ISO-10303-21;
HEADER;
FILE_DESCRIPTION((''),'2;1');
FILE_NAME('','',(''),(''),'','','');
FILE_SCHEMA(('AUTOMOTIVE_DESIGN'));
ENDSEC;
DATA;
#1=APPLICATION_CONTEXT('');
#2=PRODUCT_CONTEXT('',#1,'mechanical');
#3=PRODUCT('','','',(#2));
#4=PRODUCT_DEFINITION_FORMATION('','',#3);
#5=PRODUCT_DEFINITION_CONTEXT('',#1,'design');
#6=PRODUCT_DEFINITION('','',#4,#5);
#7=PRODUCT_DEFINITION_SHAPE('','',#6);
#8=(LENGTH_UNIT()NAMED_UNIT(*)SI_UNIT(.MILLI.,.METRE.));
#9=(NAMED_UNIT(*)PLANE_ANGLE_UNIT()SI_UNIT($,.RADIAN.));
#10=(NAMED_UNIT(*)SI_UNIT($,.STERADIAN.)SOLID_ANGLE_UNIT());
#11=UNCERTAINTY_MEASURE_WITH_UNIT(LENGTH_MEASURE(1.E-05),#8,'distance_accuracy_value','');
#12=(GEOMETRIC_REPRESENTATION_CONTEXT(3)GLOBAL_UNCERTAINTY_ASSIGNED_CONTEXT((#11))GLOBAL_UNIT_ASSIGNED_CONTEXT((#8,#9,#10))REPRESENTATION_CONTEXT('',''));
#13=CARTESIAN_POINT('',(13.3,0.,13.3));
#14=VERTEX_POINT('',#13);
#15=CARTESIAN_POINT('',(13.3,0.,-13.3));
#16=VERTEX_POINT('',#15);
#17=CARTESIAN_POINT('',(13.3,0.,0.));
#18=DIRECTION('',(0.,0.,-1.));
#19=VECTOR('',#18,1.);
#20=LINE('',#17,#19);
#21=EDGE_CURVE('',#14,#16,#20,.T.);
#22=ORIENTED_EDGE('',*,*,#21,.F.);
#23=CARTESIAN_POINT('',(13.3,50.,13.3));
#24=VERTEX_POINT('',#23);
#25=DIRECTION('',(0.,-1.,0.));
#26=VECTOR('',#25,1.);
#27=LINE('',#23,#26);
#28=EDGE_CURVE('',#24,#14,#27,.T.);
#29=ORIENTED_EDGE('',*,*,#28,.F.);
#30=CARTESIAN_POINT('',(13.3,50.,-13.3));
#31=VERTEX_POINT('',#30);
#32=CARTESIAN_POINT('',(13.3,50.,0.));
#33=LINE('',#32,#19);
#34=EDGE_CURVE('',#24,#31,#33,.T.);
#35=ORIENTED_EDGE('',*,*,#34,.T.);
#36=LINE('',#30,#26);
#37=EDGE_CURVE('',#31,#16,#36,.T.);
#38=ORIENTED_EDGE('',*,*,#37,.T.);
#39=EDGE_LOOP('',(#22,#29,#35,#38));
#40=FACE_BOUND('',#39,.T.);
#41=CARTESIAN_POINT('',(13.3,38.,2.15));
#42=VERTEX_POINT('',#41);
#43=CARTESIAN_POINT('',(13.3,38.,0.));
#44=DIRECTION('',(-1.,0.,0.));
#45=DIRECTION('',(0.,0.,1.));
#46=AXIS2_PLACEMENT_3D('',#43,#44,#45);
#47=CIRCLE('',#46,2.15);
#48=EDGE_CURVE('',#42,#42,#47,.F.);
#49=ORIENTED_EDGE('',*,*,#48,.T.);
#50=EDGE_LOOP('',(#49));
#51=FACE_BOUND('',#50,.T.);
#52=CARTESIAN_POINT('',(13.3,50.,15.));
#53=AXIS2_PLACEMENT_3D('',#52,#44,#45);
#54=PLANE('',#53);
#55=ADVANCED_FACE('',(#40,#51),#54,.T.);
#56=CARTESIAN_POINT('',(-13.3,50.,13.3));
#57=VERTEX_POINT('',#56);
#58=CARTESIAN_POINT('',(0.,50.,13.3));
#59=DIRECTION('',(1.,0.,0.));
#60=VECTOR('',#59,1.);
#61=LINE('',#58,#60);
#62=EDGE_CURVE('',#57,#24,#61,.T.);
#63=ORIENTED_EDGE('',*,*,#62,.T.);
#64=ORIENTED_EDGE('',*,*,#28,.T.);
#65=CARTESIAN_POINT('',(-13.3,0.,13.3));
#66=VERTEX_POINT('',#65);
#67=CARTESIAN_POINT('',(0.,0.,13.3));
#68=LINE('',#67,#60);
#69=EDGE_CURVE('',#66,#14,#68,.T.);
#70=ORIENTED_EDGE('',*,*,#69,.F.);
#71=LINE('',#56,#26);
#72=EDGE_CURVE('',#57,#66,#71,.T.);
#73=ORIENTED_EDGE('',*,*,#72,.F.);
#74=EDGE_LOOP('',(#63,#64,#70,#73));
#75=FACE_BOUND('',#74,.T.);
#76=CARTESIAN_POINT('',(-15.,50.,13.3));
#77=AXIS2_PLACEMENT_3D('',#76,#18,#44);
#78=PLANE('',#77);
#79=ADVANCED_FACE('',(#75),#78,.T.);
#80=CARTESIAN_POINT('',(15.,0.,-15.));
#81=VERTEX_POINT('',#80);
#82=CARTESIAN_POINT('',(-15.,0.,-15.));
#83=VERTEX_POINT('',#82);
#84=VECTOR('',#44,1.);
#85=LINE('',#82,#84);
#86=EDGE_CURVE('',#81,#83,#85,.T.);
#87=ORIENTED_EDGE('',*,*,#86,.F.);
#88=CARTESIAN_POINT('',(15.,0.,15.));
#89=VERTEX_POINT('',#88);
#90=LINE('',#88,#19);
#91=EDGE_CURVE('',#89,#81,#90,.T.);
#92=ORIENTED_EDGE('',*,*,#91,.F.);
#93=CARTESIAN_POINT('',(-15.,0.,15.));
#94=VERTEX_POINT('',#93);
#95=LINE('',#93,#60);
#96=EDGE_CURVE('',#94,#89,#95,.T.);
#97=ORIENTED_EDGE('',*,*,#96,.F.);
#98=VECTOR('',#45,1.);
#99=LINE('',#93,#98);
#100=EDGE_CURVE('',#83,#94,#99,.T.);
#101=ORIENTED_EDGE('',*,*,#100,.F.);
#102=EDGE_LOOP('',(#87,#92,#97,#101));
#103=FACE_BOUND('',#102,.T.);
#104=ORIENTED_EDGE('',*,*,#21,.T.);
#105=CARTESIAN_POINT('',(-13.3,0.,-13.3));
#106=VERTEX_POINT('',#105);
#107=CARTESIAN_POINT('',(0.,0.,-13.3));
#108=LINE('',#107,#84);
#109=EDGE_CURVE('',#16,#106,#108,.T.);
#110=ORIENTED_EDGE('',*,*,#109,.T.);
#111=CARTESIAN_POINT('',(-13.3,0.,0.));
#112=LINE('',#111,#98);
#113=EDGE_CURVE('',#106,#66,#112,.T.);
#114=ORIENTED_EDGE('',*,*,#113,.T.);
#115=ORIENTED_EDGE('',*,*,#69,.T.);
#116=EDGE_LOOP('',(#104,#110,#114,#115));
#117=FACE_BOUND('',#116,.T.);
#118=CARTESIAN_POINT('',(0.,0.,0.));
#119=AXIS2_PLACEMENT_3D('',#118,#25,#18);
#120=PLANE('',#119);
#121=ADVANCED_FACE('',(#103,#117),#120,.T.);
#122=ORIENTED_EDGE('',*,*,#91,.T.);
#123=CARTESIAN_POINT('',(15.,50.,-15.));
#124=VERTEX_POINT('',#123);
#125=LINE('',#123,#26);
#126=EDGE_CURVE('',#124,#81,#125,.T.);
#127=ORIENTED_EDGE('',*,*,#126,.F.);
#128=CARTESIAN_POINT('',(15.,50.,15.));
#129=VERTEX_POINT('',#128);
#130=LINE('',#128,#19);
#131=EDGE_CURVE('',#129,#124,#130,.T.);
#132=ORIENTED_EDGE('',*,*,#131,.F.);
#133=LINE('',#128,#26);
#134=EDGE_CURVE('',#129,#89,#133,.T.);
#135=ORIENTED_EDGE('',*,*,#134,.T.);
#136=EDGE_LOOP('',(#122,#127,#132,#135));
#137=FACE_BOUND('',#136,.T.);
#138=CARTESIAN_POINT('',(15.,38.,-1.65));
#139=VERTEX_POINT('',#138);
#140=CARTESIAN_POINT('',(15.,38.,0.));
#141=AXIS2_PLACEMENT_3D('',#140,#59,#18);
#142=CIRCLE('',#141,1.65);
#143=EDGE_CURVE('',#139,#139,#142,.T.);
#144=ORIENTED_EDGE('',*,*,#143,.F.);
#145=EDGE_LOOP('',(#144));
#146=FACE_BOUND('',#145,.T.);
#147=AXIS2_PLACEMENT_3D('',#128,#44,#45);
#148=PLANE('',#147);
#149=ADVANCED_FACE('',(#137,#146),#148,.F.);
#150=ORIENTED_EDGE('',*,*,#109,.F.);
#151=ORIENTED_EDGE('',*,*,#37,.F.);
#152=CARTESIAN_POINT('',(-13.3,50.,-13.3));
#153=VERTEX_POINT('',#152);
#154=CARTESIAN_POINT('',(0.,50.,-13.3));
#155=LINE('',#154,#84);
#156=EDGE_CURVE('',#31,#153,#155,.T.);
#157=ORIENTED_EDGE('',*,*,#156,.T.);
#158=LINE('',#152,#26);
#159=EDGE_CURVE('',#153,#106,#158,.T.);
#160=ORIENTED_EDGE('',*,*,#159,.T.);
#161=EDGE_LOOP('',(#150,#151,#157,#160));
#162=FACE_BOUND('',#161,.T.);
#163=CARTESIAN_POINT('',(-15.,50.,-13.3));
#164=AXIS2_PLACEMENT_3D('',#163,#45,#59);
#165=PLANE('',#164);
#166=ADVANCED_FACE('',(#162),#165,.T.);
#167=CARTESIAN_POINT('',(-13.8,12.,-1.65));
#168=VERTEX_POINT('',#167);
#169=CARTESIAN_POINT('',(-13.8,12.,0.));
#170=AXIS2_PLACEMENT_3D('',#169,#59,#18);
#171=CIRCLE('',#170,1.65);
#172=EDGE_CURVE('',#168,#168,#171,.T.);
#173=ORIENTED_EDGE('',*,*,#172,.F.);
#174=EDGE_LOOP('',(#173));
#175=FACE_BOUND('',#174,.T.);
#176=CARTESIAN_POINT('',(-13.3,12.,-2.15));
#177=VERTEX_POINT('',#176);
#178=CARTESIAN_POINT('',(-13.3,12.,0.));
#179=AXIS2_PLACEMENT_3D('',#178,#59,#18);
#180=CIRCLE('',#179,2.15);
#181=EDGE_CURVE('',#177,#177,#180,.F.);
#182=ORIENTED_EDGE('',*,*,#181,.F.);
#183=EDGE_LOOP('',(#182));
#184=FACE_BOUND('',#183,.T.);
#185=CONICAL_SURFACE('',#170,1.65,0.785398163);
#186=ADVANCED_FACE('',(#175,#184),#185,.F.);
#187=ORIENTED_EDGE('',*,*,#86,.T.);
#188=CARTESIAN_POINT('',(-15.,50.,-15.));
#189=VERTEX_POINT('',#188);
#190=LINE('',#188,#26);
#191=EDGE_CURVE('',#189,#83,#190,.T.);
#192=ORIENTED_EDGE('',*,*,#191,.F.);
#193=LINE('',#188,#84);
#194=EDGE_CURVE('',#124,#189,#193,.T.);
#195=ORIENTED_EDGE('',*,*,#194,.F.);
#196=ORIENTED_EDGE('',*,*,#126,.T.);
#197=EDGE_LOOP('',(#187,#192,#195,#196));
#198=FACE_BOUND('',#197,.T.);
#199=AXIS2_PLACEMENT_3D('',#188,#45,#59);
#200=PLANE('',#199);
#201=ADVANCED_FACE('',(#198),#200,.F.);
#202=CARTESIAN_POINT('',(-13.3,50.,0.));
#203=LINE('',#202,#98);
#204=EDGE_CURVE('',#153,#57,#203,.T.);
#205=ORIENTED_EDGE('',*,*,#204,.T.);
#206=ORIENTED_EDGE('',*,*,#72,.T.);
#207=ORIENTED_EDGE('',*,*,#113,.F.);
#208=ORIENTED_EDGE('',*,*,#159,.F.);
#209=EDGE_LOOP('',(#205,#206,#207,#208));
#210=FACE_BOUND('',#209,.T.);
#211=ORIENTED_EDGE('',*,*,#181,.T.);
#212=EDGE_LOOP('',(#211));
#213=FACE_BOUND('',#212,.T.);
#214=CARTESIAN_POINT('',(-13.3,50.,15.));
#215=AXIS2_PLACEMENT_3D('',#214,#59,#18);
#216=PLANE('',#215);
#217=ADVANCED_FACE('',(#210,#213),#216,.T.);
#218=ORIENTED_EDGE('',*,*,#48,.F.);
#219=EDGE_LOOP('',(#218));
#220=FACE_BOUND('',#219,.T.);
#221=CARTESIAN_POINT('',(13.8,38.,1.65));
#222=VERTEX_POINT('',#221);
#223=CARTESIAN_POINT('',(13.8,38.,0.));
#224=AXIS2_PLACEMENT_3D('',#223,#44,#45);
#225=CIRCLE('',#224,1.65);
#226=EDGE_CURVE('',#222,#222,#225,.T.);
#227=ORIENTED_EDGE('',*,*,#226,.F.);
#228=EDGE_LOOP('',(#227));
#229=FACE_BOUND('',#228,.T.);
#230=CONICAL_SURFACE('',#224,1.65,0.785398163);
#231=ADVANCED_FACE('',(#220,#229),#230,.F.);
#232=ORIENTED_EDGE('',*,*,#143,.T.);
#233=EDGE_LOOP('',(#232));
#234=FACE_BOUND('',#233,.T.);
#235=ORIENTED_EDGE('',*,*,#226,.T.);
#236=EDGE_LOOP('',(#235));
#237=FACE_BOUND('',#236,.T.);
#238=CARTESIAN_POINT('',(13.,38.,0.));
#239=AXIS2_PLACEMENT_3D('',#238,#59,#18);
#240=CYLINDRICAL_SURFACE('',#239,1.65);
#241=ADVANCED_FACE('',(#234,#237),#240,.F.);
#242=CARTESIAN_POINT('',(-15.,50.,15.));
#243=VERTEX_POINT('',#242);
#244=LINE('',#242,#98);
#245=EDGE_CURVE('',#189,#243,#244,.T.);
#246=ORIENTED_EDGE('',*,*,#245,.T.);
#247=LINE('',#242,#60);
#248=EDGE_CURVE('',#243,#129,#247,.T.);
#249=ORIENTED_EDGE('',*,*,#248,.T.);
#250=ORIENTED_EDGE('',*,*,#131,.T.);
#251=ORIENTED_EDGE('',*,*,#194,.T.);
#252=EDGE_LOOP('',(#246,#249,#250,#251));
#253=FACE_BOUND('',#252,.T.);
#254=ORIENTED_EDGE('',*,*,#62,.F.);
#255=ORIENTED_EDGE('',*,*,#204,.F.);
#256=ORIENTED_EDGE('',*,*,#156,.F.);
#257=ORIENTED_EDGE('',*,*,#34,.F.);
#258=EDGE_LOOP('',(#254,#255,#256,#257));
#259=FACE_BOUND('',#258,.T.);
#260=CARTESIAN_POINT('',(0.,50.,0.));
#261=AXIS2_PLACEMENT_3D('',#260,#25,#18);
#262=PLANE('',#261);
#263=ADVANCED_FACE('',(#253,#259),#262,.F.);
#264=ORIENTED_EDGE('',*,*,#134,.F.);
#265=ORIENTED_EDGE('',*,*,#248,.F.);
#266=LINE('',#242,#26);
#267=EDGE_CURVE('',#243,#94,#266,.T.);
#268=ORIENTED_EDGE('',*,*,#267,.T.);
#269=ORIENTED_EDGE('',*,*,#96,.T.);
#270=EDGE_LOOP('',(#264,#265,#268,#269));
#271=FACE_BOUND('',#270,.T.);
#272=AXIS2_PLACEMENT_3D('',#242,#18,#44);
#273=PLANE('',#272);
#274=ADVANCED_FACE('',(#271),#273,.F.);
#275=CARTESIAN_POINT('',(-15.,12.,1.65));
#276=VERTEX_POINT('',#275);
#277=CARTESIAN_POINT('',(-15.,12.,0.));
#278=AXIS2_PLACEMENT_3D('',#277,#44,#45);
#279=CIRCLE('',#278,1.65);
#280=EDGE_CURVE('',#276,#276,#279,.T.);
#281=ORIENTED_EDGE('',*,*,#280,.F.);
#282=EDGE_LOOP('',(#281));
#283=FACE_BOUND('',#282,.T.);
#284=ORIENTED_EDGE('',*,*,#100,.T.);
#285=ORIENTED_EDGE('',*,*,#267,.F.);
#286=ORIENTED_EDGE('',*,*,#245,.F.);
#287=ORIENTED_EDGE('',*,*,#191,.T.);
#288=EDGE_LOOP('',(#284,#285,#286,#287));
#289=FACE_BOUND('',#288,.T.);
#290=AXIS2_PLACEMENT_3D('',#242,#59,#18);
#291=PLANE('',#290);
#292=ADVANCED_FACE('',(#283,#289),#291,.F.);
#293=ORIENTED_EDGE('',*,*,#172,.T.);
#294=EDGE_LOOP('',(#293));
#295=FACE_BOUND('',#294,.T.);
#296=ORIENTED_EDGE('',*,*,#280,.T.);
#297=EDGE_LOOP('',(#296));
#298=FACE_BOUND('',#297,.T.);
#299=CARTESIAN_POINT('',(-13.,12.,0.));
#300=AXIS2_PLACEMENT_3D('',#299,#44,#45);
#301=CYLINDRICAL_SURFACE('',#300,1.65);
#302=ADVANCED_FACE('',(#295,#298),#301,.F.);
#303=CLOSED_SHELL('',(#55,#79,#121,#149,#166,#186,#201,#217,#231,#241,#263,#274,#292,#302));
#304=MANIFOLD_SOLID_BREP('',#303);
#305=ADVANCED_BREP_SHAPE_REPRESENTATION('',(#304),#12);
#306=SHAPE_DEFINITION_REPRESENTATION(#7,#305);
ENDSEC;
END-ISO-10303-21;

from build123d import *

# Parameters (mm, degrees)
SKETCH1_W           = 30
SKETCH1_H           = 30
BOSS_EXTRUDE1_DEPTH = 50
SHELL1_T            = -1.7
SKETCH2_R           = 1.65
CUT_EXTRUDE1_DEPTH  = 2
SKETCH3_R           = 1.65
CUT_EXTRUDE2_DEPTH  = 2
CHAMFER1_SIZE       = 0.5
CHAMFER2_SIZE       = 0.5


with BuildPart() as part:
    # Sketch1 → Boss-Extrude1 (new body)
    with BuildSketch(Plane(origin=(0, 0, 0), x_dir=(1, 0, 0), z_dir=(0, 1, 0))):
        Rectangle(SKETCH1_W, SKETCH1_H)
    extrude(amount=BOSS_EXTRUDE1_DEPTH)

    # Shell1
    shell1_openings = [part.faces().sort_by_distance(p)[0] for p in [
        (0, 50, 0),
        (0, 0, 0),
    ]]
    offset(amount=SHELL1_T, openings=shell1_openings, kind=Kind.INTERSECTION)

    # Sketch2 → Cut-Extrude1 (cut)
    with BuildSketch(Plane.ZY.offset(15)):
        with Locations((0, 12)):
            Circle(SKETCH2_R)
    extrude(amount=-CUT_EXTRUDE1_DEPTH, mode=Mode.SUBTRACT)

    # Sketch3 → Cut-Extrude2 (cut)
    with BuildSketch(Plane(origin=(15, 0, 0), x_dir=(0, 0, -1), z_dir=(1, 0, 0))):
        with Locations((0, 38)):
            Circle(SKETCH3_R)
    extrude(amount=-CUT_EXTRUDE2_DEPTH, mode=Mode.SUBTRACT)

    # Chamfer1
    chamfer1_edges = [part.edges().sort_by_distance(p)[0] for p in [
        (13.3, 38, 1.65),
    ]]
    chamfer(chamfer1_edges, length=CHAMFER1_SIZE)

    # Chamfer2
    chamfer2_edges = [part.edges().sort_by_distance(p)[0] for p in [
        (-13.3, 12, -1.65),
    ]]
    chamfer(chamfer2_edges, length=CHAMFER2_SIZE)


solid = part.part
